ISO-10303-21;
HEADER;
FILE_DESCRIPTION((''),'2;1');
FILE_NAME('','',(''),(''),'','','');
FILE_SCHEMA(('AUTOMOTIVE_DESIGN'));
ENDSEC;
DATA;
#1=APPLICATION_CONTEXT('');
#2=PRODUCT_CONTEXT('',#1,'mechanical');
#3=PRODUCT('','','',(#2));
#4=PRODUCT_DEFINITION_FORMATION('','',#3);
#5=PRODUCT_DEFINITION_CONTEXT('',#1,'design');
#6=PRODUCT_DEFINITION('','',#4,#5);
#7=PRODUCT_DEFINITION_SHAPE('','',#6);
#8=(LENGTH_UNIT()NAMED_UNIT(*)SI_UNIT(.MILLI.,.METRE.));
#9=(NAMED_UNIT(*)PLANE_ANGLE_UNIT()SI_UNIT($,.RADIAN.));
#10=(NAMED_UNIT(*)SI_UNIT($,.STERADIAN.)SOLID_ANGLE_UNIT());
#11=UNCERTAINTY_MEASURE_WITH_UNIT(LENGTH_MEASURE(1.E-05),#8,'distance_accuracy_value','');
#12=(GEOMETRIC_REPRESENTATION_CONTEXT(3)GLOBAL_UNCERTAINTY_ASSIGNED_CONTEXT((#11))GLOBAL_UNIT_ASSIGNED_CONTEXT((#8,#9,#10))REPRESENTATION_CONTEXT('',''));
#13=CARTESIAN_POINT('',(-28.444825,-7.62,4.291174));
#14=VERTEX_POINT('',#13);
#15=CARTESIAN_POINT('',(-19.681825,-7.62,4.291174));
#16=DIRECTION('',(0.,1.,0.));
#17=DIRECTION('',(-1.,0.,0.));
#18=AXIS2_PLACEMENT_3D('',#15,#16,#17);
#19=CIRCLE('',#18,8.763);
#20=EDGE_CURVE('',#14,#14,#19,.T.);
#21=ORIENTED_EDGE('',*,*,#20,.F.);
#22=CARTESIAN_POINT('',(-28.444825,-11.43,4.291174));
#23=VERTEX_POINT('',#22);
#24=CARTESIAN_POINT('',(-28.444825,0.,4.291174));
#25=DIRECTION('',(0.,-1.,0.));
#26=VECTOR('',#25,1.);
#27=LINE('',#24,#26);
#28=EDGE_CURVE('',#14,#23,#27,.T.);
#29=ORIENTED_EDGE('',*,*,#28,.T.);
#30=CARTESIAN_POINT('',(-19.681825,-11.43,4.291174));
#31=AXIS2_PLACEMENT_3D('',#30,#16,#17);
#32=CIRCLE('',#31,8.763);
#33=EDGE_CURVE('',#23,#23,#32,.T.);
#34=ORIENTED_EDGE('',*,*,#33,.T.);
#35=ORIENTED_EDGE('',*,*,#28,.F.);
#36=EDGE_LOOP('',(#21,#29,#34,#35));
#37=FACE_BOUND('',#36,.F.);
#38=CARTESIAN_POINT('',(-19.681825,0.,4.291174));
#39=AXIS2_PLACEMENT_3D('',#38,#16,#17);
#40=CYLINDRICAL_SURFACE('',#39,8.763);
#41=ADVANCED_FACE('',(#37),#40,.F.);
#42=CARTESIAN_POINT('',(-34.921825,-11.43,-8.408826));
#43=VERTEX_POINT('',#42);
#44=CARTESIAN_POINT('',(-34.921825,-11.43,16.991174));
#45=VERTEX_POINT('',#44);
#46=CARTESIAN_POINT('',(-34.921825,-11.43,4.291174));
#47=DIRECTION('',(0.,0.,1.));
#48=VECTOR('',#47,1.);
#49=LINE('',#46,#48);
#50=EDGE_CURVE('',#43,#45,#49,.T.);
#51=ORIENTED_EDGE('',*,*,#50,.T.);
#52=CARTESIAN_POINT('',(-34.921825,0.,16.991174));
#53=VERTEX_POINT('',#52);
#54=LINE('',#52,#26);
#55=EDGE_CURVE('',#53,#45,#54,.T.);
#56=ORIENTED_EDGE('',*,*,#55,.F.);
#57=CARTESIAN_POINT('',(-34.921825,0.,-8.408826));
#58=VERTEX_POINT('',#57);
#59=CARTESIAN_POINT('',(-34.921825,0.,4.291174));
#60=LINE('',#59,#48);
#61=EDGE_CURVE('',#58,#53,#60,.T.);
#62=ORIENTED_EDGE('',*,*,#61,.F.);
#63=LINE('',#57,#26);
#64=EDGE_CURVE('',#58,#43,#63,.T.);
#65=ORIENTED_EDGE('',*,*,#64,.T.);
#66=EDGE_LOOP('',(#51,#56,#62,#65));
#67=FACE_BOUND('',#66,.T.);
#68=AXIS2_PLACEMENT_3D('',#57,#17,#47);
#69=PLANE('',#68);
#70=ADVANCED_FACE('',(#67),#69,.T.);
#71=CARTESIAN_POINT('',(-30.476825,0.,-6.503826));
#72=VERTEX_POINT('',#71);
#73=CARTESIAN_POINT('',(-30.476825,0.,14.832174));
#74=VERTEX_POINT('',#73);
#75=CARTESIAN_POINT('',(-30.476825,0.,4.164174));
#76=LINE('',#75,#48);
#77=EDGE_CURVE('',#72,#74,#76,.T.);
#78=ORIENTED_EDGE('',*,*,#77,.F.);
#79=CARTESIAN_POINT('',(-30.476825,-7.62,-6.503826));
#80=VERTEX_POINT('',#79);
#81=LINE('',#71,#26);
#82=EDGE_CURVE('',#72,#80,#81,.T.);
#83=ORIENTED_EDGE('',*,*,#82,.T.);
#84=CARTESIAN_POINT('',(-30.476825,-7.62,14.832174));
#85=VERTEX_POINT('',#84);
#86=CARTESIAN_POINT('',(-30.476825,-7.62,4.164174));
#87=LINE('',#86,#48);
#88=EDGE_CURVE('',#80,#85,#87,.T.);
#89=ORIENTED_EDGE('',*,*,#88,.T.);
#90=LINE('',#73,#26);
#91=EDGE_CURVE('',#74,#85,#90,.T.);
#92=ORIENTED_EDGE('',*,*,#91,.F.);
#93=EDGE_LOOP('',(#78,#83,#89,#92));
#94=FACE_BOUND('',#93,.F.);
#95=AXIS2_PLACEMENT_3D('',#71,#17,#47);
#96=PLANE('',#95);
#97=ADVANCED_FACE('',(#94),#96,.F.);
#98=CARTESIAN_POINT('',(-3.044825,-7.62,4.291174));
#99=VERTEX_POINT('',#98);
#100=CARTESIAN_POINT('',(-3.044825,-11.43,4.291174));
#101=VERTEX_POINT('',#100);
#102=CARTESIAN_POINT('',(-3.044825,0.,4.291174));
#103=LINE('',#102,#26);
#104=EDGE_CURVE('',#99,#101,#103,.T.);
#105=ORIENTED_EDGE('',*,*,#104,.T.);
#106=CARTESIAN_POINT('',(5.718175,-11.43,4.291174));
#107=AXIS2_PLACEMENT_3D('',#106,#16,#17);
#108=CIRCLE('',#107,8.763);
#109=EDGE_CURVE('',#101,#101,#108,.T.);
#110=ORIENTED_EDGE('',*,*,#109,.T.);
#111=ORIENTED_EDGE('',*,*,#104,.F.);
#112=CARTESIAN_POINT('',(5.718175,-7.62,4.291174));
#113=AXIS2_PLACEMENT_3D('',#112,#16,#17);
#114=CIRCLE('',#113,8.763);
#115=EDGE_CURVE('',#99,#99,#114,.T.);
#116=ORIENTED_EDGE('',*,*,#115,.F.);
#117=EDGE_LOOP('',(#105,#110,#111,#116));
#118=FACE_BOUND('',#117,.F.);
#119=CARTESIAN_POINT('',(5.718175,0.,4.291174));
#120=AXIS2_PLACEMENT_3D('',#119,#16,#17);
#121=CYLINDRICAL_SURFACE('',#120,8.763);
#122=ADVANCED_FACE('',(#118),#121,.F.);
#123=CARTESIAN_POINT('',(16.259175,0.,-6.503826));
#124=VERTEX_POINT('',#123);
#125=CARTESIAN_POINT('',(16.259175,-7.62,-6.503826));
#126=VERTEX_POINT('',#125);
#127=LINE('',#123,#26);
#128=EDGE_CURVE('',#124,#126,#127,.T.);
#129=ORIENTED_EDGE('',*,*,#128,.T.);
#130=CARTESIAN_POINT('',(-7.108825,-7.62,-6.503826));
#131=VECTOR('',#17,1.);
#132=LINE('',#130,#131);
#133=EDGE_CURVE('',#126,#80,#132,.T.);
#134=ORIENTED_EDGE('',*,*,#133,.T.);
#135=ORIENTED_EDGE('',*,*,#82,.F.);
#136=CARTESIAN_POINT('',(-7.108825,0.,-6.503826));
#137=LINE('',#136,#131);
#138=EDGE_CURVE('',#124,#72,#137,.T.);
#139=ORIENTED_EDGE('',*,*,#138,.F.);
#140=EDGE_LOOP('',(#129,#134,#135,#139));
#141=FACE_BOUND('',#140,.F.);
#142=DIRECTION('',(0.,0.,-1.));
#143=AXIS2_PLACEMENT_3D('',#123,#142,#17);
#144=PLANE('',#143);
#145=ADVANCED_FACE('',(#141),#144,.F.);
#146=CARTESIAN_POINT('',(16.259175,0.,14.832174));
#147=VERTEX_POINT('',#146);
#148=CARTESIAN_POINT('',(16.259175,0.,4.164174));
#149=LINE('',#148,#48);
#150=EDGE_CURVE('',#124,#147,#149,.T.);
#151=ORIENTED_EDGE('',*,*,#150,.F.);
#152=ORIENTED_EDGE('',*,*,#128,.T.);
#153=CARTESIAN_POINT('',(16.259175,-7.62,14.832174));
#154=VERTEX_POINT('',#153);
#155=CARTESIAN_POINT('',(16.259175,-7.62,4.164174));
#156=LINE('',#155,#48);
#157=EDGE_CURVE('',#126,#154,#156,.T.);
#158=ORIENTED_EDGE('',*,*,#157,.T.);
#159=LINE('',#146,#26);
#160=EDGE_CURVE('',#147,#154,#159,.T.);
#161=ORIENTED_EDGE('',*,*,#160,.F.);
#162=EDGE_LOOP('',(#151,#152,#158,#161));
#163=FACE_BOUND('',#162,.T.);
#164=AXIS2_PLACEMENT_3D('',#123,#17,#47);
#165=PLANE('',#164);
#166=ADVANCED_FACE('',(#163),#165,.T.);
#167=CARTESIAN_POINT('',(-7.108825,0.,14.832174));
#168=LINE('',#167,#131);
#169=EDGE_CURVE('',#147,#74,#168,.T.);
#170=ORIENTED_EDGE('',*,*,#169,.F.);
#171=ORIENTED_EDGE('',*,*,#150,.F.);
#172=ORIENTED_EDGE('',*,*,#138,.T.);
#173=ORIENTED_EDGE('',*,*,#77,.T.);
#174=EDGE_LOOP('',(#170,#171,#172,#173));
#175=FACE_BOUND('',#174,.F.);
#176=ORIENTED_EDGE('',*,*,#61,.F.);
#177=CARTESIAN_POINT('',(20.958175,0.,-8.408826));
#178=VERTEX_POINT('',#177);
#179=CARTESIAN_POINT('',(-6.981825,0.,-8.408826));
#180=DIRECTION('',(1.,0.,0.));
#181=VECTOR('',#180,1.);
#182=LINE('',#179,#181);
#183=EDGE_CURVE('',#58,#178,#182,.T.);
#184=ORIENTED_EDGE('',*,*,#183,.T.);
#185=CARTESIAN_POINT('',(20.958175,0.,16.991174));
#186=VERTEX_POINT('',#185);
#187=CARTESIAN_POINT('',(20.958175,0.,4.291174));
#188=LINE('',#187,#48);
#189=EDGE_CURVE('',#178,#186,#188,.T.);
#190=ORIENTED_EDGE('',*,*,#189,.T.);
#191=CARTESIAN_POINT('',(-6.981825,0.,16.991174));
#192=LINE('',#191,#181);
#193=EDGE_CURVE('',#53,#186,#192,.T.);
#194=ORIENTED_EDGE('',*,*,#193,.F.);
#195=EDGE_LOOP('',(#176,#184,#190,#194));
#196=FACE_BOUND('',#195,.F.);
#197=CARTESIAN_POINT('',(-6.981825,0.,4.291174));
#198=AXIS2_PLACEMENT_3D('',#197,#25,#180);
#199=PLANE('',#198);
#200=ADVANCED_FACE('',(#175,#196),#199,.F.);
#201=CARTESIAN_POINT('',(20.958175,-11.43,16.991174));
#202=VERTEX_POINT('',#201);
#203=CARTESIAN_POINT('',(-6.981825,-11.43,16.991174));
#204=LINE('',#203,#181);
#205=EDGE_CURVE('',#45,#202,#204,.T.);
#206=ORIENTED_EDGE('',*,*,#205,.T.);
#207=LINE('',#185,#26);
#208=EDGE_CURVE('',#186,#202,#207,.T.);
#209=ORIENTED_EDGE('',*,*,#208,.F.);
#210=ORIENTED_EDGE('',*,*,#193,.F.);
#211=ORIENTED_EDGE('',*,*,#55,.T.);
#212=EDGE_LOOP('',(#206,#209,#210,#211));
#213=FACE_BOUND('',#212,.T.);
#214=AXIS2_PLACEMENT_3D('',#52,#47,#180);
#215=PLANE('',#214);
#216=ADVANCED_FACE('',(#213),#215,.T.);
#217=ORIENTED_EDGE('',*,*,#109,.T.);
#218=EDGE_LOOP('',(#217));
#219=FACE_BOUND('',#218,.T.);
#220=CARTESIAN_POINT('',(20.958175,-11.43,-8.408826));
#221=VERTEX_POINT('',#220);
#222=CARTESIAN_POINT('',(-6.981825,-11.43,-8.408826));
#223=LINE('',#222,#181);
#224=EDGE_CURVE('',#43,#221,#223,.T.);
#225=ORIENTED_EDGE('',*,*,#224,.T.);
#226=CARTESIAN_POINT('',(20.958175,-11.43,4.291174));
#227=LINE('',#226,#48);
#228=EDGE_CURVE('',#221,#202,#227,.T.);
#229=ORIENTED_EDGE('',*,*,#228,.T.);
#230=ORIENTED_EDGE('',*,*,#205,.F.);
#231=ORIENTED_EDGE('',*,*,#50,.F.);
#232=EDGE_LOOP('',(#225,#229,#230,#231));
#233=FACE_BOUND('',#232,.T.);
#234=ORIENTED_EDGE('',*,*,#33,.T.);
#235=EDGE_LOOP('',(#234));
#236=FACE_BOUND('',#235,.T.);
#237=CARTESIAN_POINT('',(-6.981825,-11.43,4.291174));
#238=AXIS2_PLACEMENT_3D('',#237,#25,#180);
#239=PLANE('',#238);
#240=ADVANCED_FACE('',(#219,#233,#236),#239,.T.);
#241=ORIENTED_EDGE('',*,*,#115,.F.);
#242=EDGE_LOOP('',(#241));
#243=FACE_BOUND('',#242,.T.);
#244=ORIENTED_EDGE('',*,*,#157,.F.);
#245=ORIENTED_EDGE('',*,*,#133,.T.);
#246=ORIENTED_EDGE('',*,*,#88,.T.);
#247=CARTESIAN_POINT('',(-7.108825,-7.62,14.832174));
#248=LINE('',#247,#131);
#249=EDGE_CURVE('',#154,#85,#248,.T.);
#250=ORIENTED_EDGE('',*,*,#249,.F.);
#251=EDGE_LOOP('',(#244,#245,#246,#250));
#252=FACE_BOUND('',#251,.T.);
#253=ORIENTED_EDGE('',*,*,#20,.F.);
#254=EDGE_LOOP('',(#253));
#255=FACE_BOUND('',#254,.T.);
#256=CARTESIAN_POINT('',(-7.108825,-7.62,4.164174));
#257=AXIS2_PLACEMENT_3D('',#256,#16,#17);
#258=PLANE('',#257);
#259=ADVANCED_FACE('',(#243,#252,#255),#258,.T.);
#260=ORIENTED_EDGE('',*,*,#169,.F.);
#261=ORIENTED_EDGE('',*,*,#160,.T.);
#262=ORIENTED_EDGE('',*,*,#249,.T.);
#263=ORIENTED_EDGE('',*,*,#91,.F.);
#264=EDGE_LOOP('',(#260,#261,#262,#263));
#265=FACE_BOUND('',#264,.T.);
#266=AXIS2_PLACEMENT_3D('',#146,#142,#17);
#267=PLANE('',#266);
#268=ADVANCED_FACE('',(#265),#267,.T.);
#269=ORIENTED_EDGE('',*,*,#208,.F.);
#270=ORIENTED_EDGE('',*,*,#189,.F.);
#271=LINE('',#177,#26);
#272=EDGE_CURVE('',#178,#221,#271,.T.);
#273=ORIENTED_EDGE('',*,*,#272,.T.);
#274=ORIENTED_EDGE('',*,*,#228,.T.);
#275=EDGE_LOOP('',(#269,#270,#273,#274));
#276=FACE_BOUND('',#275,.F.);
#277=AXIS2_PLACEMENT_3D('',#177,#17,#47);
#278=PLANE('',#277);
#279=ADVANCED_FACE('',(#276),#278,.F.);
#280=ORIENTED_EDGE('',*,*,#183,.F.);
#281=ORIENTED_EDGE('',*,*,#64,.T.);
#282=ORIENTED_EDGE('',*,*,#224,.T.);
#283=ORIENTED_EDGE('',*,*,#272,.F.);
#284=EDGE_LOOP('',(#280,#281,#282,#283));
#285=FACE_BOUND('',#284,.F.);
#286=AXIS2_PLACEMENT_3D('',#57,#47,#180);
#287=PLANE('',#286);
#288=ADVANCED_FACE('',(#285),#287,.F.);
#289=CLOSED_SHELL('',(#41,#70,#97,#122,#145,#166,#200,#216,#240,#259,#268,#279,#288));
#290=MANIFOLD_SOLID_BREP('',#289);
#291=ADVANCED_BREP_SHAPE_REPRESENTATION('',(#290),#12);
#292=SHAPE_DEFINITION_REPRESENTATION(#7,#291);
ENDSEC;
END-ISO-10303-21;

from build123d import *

# Parameters (mm, degrees)
F0_W     = 55.88
F0_H     = 25.4
F1_DEPTH = 11.43
F2_R     = 8.763
F3_DEPTH = 25.4
F4_W     = 46.736
F4_H     = 21.336
F4_R     = 8.763
F5_DEPTH = 7.62


with BuildPart() as f1:
    # F0 (on Front) → F1 (new body)
    with BuildSketch(Plane.XZ):
        with Locations((-6.981825, 4.291174)):
            Rectangle(F0_W, F0_H)
    extrude(amount=F1_DEPTH)

    # F2 (on face) → F3 (cut)
    with BuildSketch(Plane(origin=(0, 0, 0), x_dir=(-1, 0, 0), z_dir=(0, 1, 0))):
        with Locations((19.681825, 4.291174)):
            Circle(F2_R)
        with Locations((-5.718175, 4.291174)):
            Circle(F2_R)
    extrude(amount=-F3_DEPTH, mode=Mode.SUBTRACT)

    # F4 (on face) → F5 (cut)
    with BuildSketch(Plane(origin=(0, 0, 0), x_dir=(-1, 0, 0), z_dir=(0, 1, 0))):
        with Locations((7.108825, 4.164174)):
            Rectangle(F4_W, F4_H)
        with Locations((-5.718175, 4.291174)):
            Circle(F4_R, mode=Mode.SUBTRACT)
        with Locations((19.681825, 4.291174)):
            Circle(F4_R, mode=Mode.SUBTRACT)
    extrude(amount=-F5_DEPTH, mode=Mode.SUBTRACT)


solid = f1.part
